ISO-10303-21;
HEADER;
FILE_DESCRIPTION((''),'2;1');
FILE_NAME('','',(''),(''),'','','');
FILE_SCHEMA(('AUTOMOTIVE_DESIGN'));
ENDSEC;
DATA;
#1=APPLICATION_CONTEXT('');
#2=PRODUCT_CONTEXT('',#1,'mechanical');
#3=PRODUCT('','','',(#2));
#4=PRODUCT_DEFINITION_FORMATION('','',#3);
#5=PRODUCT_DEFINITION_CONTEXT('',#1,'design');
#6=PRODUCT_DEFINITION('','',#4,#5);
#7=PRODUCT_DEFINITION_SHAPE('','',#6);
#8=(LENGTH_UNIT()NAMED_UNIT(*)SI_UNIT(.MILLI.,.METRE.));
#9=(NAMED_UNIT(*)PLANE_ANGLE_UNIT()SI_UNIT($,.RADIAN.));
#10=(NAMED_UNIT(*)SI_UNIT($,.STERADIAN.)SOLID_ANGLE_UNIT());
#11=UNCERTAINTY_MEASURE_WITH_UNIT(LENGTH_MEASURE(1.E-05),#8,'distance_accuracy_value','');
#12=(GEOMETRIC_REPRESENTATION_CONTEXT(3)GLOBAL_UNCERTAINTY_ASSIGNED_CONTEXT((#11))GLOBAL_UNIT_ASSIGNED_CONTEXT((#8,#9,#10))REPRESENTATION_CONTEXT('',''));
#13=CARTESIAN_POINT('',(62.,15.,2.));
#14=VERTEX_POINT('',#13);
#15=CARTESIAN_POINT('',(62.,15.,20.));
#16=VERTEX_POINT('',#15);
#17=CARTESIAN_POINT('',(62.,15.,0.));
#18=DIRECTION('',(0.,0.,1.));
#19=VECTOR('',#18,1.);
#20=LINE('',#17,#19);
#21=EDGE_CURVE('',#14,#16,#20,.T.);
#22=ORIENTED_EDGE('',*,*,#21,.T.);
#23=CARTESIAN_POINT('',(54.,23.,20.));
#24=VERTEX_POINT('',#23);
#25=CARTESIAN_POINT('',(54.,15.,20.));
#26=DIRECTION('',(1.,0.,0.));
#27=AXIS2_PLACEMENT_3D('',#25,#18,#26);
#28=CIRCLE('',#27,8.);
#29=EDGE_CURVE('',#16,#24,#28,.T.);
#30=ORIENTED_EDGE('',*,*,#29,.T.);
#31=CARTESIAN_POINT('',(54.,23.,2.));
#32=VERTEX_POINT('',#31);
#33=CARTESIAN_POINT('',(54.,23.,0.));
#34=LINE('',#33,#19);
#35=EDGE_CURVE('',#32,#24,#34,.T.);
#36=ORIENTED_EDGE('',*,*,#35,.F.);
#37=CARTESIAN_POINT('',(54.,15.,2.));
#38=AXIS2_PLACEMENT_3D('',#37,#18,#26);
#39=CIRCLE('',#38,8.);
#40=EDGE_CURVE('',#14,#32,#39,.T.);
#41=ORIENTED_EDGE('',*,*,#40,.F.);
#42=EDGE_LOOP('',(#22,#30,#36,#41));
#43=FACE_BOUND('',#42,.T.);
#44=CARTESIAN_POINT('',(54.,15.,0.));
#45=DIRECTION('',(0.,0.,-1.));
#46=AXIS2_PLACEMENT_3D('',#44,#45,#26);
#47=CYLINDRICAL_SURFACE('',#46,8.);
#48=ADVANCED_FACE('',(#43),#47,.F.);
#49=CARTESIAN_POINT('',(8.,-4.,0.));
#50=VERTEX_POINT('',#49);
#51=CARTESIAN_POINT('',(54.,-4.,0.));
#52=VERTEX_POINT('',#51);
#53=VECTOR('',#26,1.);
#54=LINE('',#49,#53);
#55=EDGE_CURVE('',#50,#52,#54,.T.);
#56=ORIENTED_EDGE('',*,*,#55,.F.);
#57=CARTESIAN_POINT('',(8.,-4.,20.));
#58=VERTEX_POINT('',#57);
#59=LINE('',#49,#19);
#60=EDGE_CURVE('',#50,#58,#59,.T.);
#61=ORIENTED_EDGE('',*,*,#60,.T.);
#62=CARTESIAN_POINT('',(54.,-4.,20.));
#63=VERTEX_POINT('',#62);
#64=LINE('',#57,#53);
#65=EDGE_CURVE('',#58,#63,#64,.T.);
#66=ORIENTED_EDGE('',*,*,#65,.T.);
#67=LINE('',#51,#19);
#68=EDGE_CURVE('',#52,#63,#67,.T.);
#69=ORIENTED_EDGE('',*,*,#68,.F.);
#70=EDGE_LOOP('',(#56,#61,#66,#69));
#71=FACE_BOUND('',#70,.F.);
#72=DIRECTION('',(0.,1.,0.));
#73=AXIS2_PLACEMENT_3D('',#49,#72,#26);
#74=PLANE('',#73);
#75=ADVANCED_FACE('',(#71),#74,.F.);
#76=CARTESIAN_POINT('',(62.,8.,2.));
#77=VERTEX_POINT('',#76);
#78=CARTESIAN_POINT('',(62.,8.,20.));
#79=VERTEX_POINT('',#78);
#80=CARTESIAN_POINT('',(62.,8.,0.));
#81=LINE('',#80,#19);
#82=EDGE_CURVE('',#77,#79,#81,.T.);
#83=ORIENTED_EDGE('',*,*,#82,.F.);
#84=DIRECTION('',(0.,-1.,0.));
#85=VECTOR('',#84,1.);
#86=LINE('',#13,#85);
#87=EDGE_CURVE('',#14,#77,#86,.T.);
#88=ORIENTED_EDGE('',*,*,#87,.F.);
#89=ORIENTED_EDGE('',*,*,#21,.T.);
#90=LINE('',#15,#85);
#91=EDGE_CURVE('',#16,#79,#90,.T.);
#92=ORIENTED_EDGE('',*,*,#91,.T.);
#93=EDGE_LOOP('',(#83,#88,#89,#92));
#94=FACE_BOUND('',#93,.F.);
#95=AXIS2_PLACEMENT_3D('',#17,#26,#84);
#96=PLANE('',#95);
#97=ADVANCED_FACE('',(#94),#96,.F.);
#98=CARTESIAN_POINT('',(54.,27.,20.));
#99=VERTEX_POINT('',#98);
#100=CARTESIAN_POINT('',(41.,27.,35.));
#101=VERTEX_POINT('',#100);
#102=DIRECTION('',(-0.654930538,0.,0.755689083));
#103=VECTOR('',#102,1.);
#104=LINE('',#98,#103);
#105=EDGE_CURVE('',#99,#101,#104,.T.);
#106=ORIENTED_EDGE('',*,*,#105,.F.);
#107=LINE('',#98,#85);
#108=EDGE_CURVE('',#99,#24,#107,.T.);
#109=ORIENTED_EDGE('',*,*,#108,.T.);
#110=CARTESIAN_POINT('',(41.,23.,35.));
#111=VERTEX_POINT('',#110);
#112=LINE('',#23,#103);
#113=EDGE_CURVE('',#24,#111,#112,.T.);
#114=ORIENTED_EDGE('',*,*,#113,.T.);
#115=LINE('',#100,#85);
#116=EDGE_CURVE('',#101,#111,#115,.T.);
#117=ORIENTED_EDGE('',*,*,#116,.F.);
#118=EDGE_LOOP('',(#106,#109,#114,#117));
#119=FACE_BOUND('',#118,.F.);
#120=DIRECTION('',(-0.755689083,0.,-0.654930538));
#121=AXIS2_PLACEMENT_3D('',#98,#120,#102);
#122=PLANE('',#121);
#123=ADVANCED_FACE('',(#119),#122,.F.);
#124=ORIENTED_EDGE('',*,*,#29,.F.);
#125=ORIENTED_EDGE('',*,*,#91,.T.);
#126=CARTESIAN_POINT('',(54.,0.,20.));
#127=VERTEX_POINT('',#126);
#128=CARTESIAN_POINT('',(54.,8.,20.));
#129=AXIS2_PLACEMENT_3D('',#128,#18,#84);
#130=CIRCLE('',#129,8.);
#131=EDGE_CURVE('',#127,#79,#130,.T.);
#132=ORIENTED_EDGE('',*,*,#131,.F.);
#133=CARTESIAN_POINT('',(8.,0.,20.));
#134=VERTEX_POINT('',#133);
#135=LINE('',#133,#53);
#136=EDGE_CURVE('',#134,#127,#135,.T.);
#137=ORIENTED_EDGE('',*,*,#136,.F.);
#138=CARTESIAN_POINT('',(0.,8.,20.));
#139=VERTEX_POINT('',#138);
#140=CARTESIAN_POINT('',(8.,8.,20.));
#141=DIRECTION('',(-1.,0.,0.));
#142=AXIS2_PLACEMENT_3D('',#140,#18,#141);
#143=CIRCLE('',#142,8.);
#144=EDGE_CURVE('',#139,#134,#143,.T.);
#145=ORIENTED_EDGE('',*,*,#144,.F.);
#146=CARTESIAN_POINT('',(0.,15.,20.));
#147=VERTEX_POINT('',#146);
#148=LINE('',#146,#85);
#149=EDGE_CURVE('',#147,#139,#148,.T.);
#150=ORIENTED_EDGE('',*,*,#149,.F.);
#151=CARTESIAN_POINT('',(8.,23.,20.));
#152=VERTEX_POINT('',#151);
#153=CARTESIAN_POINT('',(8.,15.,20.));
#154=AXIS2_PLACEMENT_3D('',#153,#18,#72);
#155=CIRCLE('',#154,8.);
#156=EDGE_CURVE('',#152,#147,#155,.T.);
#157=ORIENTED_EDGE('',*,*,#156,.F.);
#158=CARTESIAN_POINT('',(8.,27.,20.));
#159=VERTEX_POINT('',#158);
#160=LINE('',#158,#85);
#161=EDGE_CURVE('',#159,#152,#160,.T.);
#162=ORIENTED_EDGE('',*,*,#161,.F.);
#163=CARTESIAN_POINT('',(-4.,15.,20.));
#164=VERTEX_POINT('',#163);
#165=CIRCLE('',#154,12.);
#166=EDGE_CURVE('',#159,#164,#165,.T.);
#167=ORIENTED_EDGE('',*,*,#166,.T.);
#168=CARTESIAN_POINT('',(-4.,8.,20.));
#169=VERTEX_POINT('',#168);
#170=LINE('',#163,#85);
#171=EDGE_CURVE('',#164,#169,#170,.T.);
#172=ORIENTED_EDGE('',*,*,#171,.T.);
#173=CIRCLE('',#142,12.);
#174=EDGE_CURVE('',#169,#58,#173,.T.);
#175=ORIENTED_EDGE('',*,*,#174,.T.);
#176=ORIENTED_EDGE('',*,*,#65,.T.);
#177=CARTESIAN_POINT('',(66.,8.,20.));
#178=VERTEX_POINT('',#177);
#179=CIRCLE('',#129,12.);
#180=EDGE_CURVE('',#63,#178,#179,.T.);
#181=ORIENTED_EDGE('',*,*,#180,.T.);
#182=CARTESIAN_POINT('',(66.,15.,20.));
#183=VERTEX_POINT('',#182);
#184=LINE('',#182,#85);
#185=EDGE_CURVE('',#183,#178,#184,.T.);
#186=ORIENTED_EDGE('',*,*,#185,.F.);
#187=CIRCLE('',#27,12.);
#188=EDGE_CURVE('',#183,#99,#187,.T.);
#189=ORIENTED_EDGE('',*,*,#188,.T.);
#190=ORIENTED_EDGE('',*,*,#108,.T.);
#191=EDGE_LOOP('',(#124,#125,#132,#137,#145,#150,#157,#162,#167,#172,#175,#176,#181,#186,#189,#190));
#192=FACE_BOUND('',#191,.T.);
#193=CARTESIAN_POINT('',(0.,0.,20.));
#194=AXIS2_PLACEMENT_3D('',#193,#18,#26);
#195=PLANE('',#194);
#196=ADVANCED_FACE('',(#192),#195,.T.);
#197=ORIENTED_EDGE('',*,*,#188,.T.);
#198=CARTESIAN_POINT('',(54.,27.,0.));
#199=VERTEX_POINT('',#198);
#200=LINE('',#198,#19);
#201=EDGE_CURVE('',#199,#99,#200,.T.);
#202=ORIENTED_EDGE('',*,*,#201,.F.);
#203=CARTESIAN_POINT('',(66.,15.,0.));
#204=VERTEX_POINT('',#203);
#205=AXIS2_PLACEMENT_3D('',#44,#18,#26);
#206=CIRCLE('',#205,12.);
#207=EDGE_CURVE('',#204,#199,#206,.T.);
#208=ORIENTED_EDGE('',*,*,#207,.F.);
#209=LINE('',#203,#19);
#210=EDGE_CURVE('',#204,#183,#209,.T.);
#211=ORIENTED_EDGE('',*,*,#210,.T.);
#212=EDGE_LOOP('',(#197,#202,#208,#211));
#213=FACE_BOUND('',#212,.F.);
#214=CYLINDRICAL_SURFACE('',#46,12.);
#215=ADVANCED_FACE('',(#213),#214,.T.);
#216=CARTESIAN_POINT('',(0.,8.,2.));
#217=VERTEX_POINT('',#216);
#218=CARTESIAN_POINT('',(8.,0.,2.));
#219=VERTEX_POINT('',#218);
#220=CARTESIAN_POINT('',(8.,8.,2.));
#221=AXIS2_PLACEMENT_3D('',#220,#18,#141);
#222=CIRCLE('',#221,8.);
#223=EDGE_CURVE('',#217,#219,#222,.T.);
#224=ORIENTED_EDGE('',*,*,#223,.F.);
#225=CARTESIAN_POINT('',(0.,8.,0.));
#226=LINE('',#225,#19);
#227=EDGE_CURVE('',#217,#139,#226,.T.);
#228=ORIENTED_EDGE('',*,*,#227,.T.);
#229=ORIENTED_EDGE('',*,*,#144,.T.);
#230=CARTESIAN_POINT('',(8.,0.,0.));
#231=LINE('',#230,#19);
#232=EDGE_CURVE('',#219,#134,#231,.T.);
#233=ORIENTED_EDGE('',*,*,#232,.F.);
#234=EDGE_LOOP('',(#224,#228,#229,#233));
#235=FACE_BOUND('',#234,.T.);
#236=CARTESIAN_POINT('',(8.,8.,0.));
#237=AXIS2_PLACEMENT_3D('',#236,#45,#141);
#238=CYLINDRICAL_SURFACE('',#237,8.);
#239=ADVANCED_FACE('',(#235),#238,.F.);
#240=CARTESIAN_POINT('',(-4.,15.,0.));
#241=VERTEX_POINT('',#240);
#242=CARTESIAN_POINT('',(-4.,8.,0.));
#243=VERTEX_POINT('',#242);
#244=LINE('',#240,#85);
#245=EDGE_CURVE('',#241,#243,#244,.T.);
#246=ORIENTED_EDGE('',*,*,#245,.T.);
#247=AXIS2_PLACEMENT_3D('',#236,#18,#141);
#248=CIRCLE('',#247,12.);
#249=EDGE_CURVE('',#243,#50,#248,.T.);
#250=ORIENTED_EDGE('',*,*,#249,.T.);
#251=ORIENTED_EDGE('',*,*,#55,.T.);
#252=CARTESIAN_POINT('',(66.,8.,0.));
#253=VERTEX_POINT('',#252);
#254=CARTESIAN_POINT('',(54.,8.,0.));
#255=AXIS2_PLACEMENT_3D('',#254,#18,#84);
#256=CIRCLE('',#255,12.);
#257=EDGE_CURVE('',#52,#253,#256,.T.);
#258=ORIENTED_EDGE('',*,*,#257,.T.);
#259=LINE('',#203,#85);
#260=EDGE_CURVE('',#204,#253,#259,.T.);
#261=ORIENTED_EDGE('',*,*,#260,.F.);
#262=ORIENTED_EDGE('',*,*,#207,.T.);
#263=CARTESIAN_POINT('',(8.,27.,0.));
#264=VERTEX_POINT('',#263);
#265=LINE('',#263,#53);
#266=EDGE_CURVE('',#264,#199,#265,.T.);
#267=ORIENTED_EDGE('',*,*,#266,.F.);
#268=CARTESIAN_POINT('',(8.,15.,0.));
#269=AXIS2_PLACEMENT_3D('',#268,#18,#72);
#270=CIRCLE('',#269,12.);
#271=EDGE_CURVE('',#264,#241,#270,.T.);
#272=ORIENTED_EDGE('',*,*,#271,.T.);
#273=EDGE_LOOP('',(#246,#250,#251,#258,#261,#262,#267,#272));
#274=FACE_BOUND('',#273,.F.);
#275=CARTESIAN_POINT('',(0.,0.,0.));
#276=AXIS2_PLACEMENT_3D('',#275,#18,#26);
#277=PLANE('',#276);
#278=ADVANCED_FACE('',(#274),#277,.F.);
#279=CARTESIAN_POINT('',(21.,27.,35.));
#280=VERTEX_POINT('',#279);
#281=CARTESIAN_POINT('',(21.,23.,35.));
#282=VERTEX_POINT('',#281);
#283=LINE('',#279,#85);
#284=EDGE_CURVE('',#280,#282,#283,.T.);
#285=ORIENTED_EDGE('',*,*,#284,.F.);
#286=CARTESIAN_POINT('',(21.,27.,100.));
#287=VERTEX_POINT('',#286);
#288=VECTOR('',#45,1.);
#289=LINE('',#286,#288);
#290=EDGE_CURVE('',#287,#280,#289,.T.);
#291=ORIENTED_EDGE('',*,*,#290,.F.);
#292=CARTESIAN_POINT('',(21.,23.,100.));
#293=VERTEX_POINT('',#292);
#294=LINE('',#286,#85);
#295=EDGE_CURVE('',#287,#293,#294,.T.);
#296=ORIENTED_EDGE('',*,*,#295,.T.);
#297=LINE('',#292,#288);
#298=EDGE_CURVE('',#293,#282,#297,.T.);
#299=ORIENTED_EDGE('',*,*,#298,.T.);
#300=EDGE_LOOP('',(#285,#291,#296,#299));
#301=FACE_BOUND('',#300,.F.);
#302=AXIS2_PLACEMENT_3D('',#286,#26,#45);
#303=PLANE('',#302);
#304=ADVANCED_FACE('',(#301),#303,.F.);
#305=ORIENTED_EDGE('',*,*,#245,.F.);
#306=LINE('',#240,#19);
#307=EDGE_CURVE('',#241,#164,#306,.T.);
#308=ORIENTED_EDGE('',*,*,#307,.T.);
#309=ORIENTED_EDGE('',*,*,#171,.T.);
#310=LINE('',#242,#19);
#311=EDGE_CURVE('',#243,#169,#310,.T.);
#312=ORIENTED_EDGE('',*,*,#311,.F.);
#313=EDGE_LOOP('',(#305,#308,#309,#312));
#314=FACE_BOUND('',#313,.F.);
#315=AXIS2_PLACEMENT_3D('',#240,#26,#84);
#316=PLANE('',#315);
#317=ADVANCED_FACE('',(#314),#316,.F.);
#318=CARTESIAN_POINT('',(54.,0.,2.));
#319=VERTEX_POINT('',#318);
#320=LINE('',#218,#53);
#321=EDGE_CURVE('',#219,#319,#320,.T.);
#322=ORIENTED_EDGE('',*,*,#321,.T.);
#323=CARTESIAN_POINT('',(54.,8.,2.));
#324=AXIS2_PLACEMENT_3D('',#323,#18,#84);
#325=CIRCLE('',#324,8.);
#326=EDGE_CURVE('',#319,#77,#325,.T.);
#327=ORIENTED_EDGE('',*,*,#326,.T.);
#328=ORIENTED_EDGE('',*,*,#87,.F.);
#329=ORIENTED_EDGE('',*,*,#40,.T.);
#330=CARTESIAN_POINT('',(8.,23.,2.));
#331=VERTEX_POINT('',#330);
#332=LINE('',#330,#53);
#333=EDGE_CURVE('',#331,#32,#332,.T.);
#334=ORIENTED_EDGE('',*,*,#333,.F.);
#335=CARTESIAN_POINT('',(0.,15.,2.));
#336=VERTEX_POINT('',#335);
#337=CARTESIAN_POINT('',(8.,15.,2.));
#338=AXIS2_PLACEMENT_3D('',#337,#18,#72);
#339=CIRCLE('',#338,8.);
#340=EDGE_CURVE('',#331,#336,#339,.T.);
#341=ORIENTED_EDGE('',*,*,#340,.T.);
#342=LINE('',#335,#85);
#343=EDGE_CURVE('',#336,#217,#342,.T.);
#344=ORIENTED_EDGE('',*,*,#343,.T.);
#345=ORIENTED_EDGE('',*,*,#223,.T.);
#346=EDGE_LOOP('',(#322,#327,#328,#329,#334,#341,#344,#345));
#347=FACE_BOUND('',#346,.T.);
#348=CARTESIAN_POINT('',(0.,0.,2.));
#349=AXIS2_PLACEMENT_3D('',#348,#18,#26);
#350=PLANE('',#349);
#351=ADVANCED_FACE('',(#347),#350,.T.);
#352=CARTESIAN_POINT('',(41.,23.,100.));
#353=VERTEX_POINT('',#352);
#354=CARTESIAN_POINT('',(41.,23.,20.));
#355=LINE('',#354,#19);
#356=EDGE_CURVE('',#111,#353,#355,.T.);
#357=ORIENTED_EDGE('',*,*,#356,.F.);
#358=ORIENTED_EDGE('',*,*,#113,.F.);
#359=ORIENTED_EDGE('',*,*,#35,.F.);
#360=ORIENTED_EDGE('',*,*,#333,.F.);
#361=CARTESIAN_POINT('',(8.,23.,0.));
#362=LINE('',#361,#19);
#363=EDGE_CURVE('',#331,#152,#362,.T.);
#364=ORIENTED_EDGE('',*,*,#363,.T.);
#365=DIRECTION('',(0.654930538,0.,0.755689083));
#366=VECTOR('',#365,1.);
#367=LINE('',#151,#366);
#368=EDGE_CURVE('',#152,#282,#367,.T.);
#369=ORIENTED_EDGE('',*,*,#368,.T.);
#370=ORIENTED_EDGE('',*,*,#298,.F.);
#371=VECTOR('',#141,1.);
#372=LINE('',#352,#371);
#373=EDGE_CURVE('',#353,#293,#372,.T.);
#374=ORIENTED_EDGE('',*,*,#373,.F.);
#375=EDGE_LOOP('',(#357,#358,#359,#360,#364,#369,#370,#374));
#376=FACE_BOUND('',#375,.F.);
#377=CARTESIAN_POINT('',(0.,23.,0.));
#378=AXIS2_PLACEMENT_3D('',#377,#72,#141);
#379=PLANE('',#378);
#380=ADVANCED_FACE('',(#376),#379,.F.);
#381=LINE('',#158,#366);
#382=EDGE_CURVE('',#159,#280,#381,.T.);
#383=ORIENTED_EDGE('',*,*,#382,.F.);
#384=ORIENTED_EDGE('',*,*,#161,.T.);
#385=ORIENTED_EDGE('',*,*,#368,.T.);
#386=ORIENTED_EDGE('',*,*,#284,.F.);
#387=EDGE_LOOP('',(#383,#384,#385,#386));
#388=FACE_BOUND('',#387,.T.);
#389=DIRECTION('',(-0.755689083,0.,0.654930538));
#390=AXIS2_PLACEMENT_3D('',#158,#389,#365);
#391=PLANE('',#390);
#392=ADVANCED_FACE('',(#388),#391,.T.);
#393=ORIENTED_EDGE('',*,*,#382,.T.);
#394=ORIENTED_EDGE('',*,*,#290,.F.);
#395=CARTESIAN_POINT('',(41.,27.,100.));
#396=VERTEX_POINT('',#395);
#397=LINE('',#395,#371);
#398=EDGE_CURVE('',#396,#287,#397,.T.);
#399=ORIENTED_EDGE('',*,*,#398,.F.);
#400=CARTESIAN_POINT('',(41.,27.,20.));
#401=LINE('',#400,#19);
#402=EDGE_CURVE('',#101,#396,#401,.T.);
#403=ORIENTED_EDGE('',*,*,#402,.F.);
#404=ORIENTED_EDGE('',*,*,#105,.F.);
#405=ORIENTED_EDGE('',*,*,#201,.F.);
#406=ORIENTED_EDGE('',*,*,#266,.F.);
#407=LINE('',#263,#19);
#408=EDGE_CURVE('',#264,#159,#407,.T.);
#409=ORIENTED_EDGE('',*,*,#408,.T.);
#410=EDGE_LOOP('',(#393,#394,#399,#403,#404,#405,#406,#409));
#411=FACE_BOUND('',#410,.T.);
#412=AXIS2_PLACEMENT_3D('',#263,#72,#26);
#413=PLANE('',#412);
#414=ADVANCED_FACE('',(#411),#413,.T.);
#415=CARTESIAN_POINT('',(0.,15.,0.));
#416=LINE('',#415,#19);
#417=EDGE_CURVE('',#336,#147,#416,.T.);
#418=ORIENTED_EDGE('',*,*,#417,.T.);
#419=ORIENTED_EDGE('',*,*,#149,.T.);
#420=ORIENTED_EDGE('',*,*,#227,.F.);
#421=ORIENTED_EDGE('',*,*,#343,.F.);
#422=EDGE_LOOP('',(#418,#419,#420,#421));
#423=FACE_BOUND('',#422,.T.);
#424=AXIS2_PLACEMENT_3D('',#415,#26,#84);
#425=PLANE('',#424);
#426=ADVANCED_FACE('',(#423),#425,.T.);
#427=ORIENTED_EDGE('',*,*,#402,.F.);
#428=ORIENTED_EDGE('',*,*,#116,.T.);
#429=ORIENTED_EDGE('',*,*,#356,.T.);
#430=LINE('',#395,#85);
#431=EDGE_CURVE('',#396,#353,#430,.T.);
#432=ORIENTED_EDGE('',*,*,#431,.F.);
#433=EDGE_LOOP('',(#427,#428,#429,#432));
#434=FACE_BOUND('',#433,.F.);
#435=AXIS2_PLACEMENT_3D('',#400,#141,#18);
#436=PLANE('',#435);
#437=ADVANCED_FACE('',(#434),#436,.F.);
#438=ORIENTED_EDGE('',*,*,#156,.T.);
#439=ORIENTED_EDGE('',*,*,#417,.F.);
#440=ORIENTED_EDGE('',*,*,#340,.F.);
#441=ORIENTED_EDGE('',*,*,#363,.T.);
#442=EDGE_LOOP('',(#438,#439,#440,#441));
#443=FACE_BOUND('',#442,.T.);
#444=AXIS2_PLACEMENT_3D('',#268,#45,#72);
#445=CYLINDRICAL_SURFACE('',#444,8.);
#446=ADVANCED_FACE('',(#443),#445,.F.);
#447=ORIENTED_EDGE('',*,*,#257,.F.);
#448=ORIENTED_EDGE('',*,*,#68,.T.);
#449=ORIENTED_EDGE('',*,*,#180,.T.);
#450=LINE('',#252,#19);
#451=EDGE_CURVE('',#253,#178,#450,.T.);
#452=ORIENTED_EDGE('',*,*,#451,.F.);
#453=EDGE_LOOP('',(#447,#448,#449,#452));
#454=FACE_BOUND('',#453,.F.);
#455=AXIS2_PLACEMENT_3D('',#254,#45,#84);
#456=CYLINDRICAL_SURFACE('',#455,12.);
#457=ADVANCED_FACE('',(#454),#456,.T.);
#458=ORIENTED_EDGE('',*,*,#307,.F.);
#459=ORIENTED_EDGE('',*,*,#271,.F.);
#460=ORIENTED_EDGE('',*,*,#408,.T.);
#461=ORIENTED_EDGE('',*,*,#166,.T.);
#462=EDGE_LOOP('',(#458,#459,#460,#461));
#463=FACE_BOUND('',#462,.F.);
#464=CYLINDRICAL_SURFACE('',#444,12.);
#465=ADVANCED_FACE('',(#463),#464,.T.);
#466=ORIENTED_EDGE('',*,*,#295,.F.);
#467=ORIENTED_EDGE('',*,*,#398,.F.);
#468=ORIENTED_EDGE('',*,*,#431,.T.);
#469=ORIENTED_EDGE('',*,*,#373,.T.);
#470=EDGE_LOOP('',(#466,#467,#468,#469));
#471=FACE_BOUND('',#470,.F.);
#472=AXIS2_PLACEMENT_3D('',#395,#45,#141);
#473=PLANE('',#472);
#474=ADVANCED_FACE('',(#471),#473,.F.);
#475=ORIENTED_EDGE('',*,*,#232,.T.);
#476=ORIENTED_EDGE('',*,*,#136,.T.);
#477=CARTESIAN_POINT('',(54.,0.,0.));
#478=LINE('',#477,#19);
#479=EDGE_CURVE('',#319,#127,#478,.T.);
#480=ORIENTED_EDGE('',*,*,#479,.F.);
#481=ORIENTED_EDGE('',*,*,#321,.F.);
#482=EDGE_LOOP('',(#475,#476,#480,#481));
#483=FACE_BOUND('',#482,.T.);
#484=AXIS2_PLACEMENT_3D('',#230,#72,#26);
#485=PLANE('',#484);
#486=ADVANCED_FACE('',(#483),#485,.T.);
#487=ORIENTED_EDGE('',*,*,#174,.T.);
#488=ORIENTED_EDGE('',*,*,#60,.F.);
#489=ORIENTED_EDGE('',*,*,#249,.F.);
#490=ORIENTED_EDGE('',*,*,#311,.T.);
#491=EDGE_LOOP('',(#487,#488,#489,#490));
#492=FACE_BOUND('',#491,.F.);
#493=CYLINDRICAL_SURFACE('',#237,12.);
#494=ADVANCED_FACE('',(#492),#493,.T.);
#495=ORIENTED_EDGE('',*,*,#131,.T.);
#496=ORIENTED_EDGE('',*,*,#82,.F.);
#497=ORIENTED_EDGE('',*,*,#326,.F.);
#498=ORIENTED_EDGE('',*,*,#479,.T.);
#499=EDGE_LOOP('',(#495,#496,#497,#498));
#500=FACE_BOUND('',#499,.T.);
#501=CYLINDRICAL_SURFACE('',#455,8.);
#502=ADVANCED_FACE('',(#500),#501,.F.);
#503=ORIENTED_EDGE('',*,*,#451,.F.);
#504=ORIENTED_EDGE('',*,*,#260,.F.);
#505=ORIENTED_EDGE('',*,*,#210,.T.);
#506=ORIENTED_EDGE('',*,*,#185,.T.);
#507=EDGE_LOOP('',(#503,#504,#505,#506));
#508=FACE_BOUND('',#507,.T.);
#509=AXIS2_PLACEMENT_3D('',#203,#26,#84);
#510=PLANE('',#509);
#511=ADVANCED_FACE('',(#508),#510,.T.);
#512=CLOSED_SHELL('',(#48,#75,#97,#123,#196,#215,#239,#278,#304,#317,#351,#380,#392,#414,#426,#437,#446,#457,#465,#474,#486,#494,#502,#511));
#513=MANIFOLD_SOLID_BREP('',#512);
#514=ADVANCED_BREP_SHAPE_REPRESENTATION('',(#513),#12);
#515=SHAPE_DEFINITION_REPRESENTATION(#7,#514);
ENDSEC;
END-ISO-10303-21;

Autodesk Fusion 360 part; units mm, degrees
sketch "Schizzo1" plane through (0, 0, 0) normal (0, 0, 1) x (1, 0, 0)
  line L0 (0, 0) -> (62, 0) construction
  line L1 (62, 0) -> (62, 23) construction
  line L2 (62, 23) -> (0, 23) construction
  line L3 (0, 23) -> (0, 0) construction
  line L4 (31, 23) -> (31, 0) construction
  line L5 (62, 23) -> (54, 23) construction
  line L6 (54, 23) -> (54, 0) construction
  line L7 (0, 23) -> (8, 23) construction
  line L8 (8, 23) -> (8, 0) construction
  line L9 (8, 0) -> (54, 0)
  line L10 (8, 23) -> (54, 23)
  line L11 (0, 23) -> (0, 15) construction
  line L12 (0, 15) -> (62, 15) construction
  line L13 (0, 0) -> (0, 8) construction
  line L14 (0, 8) -> (62, 8) construction
  line L15 (0, 15) -> (0, 8) construction
  line L16 (0, 15) -> (0, 8)
  line L17 (62, 15) -> (62, 8)
  arc A0 (8, 23) -> (0, 15) centre (8, 15) ccw
  arc A1 (0, 8) -> (8, 0) centre (8, 8) ccw
  arc A2 (54, 0) -> (62, 8) centre (54, 8) ccw
  arc A3 (62, 15) -> (54, 23) centre (54, 15) ccw
  arc A4 (66, 15) -> (54, 27) centre (54, 15) ccw
  line L18 (8, 27) -> (54, 27)
  arc A5 (8, 27) -> (-4, 15) centre (8, 15) ccw
  line L19 (-4, 15) -> (-4, 8)
  arc A6 (-4, 8) -> (8, -4) centre (8, 8) ccw
  line L20 (8, -4) -> (54, -4)
  arc A7 (54, -4) -> (66, 8) centre (54, 8) ccw
  line L21 (66, 15) -> (66, 8)
  line L22 (0, 11.5) -> (62, 11.5) construction
  line L23 (0, 11.5) -> (-4, 11.5) construction
  line L24 (62, 11.5) -> (66, 11.5) construction
  dimension "d10" = 62
  dimension "d11" = 23
  dimension "d12" = 8
  dimension "d13" = 8
  dimension "d15" = 8
  dimension "d16" = 8
  dimension "d17" = -4
  dimension "d32" = 70
  dimension "d33" = 31
extrude "Estrusione2" add sketch "Schizzo1" along normal blind 20
extrude "Estrusione4" add sketch "Schizzo1" along normal blind 2 contours L9 L10 L16 L17 A0 A1 A2 A3
sketch "Schizzo3" plane through (0, 27, 0) normal (0, 1, 0) x (-1, 0, 0)
  line L0 (-54, 0) -> (-8, 0)
  line L1 (-8, 0) -> (-8, 20)
  line L2 (-8, 20) -> (-54, 20)
  line L3 (-54, 20) -> (-54, 0)
  line L4 (-31, 20) -> (-31, 100) construction
  line L5 (-31, 60) -> (-21, 60) construction
  line L6 (-21, 20) -> (-41, 20)
  line L7 (-41, 20) -> (-41, 100)
  line L8 (-41, 100) -> (-21, 100)
  line L9 (-21, 100) -> (-21, 20)
  line L10 (-21, 20) -> (-41, 100) construction
  line L11 (-41, 20) -> (-21, 100) construction
  point P0 (-31, 60)
  dimension "d22" = 20
  dimension "d23" = 80
extrude "Estrusione3" add sketch "Schizzo3" against normal blind 4 contours L2 L6 L7 L8 L9
sketch "Schizzo4" plane through (0, 27, 0) normal (0, 1, 0) x (-1, 0, 0)
  line L0 (-54, 0) -> (-8, 0)
  line L1 (-8, 0) -> (-8, 20)
  line L2 (-8, 20) -> (-21, 20)
  line L3 (-21, 20) -> (-21, 100)
  line L4 (-21, 100) -> (-41, 100)
  line L5 (-41, 100) -> (-41, 20)
  line L6 (-41, 20) -> (-54, 20)
  line L7 (-54, 20) -> (-54, 0)
  line L8 (-54, 20) -> (-41, 35)
  line L9 (-31, 100) -> (-31, -12.8301) construction
  line L10 (-8, 20) -> (-21, 35)
extrude "Estrusione5" add sketch "Schizzo4" against normal blind 4 contours L5 L6 L8 | L2 L3 L10
equation "d12 = d13"
equation "d15 = d13"
equation "d16 = d13"
